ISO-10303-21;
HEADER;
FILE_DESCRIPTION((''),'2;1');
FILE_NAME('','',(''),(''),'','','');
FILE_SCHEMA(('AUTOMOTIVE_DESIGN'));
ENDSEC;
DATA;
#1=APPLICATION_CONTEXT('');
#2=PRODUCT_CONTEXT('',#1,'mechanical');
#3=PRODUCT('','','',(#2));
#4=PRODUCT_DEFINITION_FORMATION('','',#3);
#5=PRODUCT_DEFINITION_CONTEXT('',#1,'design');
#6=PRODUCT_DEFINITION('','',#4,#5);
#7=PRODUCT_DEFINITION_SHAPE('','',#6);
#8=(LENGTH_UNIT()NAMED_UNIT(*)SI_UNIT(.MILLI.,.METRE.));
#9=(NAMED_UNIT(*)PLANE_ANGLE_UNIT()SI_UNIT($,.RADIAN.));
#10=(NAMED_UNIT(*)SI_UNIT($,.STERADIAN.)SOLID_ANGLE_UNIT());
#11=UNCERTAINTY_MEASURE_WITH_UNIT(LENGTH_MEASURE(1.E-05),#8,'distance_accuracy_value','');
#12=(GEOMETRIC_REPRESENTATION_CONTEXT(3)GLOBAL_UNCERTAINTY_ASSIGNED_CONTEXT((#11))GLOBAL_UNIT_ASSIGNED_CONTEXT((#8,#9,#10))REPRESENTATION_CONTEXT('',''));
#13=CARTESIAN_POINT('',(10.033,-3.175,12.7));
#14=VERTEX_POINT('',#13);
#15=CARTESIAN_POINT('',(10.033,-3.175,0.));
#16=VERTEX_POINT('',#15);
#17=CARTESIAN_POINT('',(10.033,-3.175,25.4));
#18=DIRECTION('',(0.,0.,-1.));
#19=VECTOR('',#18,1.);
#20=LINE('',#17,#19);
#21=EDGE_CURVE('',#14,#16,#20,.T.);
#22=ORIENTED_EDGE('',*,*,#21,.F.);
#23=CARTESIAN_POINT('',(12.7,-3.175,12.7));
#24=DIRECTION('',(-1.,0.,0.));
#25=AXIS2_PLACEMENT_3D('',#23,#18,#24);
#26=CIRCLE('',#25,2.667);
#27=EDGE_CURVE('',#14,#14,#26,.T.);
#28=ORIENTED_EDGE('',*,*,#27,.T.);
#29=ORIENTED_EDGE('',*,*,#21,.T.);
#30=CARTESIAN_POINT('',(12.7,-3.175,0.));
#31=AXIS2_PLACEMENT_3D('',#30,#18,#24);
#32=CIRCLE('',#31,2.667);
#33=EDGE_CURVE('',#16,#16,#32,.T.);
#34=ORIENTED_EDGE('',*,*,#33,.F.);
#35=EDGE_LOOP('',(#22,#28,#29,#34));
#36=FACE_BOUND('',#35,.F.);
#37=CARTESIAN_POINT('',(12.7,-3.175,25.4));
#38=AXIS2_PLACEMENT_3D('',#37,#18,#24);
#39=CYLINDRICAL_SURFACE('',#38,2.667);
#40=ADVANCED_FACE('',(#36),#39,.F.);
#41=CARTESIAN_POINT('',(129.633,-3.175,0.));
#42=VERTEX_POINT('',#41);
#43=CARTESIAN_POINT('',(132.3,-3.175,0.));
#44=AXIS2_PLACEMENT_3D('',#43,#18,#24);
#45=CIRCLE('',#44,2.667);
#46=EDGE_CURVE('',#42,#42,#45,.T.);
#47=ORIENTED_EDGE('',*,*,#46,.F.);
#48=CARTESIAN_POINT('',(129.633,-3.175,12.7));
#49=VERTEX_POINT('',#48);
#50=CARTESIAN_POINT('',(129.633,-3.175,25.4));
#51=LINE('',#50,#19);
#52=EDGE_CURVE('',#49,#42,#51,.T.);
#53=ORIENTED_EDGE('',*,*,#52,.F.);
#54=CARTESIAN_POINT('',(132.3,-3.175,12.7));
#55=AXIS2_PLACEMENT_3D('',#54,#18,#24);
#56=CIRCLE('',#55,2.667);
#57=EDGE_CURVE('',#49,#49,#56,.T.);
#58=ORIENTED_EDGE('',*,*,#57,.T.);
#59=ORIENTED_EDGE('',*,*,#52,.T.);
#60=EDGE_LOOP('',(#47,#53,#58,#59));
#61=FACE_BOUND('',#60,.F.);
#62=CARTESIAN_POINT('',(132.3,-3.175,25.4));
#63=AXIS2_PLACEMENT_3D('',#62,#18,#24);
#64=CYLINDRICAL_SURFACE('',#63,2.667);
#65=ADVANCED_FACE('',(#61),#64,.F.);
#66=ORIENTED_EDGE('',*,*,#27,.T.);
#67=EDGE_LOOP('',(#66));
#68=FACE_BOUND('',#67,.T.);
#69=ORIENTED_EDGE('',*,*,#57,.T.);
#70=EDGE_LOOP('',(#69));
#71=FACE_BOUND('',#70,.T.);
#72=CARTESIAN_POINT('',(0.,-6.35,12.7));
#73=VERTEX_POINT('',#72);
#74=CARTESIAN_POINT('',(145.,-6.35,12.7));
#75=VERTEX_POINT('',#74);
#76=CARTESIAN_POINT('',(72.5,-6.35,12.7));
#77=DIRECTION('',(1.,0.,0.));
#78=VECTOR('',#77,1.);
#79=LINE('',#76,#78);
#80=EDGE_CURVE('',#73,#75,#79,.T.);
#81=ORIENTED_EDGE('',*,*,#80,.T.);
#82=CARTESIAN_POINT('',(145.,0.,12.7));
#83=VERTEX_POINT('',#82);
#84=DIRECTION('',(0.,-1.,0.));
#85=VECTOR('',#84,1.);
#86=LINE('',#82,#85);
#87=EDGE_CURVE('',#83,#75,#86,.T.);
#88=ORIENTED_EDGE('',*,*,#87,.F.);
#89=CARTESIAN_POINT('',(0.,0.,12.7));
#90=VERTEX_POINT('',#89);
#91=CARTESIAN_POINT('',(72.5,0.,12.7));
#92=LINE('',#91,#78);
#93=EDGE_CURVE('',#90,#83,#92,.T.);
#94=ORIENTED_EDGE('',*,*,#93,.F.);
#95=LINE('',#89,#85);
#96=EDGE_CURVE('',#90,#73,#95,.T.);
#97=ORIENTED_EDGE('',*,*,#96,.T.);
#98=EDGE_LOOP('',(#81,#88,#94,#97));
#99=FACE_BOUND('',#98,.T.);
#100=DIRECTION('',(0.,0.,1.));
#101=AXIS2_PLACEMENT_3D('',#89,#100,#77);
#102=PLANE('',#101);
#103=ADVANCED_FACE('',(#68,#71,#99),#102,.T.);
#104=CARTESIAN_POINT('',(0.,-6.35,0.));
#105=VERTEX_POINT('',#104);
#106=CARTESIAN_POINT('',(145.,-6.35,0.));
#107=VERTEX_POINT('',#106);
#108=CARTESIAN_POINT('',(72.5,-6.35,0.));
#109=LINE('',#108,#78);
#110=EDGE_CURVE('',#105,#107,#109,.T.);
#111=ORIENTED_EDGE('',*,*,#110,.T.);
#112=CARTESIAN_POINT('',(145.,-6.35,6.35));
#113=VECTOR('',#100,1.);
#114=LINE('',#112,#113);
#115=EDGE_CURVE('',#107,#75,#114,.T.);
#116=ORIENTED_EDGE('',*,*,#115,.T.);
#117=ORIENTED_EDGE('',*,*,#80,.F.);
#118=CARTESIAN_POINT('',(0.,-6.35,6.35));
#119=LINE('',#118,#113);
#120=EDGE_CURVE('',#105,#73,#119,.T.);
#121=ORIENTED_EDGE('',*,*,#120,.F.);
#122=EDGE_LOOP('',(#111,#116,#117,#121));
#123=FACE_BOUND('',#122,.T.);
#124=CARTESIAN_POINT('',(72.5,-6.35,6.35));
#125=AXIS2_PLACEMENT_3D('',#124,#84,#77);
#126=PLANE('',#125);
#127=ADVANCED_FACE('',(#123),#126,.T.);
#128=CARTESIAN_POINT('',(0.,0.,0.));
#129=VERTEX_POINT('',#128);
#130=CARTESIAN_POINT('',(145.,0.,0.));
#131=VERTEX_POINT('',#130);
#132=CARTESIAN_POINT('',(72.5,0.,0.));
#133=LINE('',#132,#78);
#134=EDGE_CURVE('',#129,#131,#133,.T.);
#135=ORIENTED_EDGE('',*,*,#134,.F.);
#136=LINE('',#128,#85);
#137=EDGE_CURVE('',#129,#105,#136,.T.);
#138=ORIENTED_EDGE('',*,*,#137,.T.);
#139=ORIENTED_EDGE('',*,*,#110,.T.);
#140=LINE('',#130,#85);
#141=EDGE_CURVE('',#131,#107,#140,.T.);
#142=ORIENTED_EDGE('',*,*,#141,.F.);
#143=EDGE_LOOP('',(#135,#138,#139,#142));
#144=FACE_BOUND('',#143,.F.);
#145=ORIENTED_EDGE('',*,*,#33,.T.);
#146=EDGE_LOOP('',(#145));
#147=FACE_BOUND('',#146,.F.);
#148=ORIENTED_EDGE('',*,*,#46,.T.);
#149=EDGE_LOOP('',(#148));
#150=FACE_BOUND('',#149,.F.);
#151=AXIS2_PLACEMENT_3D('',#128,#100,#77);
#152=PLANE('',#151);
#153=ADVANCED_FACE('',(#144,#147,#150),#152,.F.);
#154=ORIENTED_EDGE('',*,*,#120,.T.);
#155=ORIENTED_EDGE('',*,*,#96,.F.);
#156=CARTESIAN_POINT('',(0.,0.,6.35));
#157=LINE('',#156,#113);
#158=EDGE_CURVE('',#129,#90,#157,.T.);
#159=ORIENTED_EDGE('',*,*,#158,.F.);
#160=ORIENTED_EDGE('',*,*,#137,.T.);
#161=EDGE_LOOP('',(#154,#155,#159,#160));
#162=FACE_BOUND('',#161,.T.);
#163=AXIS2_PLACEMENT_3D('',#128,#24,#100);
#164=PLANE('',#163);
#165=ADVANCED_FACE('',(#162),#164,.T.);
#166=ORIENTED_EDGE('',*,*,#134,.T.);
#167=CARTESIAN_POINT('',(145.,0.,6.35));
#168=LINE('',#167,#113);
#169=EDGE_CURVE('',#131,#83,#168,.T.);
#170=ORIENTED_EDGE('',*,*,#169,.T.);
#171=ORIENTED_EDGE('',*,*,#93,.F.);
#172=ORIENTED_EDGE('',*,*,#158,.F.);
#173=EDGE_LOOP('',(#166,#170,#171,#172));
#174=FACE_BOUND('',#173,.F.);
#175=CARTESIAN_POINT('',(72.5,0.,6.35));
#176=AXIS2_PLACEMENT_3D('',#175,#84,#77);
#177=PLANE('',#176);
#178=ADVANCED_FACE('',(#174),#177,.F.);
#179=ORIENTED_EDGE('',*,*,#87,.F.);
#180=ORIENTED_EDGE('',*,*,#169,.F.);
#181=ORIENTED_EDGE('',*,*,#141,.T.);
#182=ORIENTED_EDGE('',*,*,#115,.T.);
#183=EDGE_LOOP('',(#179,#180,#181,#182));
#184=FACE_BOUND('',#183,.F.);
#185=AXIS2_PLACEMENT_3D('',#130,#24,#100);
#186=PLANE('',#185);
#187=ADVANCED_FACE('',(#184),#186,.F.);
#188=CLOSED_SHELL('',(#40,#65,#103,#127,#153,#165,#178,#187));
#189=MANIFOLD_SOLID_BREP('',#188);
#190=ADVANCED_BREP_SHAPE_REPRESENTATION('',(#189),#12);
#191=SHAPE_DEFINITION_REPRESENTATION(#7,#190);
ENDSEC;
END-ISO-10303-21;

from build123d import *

# Parameters (mm, degrees)
F0_W     = 145
F0_H     = 12.7
F1_DEPTH = 6.35
F3_D     = 5.334
F3_DEPTH = 12.7


with BuildPart() as f1:
    # F0 (on Front) → F1 (new body)
    with BuildSketch(Plane.XZ):
        with Locations((72.5, 6.35)):
            Rectangle(F0_W, F0_H)
    extrude(amount=F1_DEPTH)

    # F3
    with Locations(Plane.XY.offset(12.7)):
        with Locations((12.7, -3.175), (132.3, -3.175)):
            Hole(F3_D / 2, depth=F3_DEPTH)


solid = f1.part
